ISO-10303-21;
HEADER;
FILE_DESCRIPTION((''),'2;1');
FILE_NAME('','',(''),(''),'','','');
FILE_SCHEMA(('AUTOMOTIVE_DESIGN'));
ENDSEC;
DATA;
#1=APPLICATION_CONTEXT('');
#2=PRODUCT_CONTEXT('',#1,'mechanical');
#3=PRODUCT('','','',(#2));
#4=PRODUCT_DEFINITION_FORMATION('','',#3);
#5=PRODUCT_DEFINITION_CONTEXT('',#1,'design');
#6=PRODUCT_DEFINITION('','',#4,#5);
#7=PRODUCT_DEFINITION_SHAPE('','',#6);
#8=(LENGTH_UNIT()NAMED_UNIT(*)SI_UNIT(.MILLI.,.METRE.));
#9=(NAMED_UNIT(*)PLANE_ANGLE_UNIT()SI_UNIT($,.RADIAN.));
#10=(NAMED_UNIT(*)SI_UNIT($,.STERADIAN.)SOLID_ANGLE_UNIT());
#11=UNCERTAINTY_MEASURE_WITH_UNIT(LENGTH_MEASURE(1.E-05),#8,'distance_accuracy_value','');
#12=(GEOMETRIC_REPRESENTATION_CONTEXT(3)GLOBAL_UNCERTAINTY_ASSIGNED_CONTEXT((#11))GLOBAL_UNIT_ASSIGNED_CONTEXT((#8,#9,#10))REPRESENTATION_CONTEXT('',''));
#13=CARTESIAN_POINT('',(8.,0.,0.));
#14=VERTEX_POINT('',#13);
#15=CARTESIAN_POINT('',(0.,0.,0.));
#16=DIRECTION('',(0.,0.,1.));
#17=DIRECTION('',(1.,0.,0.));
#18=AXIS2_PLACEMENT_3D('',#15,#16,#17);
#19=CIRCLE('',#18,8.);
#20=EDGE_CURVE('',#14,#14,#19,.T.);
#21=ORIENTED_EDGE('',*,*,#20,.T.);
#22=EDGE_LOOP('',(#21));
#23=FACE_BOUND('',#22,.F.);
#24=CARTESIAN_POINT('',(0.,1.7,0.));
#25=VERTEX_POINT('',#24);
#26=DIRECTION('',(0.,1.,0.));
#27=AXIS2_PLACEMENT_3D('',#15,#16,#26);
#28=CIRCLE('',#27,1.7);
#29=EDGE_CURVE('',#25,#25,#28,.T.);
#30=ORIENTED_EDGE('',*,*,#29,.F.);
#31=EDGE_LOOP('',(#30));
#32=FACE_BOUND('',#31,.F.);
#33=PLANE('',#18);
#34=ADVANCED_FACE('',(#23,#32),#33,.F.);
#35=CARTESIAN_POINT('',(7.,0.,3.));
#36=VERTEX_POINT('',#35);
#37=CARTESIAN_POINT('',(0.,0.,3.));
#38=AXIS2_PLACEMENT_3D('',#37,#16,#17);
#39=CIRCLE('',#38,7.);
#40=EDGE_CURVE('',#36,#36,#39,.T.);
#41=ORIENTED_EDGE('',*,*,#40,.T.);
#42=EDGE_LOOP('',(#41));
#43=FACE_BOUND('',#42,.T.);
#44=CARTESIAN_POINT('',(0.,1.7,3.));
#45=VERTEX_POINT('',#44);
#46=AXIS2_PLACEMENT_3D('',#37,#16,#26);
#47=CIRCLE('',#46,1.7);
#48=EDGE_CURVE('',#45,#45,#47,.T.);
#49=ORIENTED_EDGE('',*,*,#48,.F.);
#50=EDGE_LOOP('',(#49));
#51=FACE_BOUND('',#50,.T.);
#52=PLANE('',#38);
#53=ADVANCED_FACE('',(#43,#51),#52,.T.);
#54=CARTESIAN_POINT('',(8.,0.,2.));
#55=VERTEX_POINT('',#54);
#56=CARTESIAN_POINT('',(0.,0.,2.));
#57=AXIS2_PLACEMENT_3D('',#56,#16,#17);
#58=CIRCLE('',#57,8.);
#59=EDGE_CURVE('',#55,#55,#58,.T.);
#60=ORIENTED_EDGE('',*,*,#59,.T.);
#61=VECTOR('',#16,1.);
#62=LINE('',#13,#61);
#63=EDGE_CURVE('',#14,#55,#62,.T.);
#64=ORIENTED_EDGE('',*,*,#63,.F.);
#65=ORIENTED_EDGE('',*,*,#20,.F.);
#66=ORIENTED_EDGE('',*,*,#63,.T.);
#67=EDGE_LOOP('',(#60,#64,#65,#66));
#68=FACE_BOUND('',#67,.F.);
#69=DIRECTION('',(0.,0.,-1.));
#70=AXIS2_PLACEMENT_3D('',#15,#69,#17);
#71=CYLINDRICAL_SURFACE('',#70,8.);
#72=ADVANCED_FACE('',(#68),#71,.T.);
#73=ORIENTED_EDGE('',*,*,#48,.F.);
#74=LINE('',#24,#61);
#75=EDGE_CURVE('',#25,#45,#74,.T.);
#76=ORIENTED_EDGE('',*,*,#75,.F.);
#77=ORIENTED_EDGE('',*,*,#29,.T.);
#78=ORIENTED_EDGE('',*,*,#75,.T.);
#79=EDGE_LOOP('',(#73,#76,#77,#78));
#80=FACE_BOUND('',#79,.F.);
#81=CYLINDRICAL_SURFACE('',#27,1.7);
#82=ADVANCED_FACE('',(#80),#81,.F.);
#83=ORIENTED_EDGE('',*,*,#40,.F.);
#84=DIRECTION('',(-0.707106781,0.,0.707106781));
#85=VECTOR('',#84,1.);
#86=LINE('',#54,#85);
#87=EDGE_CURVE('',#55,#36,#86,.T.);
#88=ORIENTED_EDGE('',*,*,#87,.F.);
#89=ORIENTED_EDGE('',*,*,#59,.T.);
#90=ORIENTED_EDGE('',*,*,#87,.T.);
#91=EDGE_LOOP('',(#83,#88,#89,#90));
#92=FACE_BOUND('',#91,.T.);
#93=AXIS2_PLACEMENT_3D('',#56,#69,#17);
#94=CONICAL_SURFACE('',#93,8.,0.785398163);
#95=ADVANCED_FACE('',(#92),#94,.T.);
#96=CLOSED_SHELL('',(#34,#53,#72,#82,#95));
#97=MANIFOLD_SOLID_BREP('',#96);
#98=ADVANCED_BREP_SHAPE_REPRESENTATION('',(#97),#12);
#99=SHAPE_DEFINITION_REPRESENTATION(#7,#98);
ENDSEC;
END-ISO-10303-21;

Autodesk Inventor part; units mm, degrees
ref_plane "YZ Plane" through (0, 0, 0) normal (1, 0, 0) x (0, 1, 0)
ref_plane "XZ Plane" through (0, 0, 0) normal (0, 1, 0) x (-1, 0, 0)
ref_plane "XY Plane" through (0, 0, 0) normal (0, 0, 1) x (1, 0, 0)
sketch "Skizze1" plane through (0, 0, 0) normal (0, 0, 1) x (1, 0, 0)
  circle A0 centre (0, 0) radius 8
  dimension "d0" = 16
extrude "Extrusion1" add sketch "Skizze1" along normal blind 3
chamfer "Fase1" distance 1 angle 45 1 edges at (-8, 0, 3)
hole "Bohrung1" at (0, 0, 0) direction (0, 0, 1) diameter 3.4 depth 8 tip angle 118 clearance for "Sechskantkopfschraube DIN EN 24017" size "M3" standard "DIN"
properties part number "Capstondisc_v2_Anschlagscheibe" material "Aluminium 6061"
